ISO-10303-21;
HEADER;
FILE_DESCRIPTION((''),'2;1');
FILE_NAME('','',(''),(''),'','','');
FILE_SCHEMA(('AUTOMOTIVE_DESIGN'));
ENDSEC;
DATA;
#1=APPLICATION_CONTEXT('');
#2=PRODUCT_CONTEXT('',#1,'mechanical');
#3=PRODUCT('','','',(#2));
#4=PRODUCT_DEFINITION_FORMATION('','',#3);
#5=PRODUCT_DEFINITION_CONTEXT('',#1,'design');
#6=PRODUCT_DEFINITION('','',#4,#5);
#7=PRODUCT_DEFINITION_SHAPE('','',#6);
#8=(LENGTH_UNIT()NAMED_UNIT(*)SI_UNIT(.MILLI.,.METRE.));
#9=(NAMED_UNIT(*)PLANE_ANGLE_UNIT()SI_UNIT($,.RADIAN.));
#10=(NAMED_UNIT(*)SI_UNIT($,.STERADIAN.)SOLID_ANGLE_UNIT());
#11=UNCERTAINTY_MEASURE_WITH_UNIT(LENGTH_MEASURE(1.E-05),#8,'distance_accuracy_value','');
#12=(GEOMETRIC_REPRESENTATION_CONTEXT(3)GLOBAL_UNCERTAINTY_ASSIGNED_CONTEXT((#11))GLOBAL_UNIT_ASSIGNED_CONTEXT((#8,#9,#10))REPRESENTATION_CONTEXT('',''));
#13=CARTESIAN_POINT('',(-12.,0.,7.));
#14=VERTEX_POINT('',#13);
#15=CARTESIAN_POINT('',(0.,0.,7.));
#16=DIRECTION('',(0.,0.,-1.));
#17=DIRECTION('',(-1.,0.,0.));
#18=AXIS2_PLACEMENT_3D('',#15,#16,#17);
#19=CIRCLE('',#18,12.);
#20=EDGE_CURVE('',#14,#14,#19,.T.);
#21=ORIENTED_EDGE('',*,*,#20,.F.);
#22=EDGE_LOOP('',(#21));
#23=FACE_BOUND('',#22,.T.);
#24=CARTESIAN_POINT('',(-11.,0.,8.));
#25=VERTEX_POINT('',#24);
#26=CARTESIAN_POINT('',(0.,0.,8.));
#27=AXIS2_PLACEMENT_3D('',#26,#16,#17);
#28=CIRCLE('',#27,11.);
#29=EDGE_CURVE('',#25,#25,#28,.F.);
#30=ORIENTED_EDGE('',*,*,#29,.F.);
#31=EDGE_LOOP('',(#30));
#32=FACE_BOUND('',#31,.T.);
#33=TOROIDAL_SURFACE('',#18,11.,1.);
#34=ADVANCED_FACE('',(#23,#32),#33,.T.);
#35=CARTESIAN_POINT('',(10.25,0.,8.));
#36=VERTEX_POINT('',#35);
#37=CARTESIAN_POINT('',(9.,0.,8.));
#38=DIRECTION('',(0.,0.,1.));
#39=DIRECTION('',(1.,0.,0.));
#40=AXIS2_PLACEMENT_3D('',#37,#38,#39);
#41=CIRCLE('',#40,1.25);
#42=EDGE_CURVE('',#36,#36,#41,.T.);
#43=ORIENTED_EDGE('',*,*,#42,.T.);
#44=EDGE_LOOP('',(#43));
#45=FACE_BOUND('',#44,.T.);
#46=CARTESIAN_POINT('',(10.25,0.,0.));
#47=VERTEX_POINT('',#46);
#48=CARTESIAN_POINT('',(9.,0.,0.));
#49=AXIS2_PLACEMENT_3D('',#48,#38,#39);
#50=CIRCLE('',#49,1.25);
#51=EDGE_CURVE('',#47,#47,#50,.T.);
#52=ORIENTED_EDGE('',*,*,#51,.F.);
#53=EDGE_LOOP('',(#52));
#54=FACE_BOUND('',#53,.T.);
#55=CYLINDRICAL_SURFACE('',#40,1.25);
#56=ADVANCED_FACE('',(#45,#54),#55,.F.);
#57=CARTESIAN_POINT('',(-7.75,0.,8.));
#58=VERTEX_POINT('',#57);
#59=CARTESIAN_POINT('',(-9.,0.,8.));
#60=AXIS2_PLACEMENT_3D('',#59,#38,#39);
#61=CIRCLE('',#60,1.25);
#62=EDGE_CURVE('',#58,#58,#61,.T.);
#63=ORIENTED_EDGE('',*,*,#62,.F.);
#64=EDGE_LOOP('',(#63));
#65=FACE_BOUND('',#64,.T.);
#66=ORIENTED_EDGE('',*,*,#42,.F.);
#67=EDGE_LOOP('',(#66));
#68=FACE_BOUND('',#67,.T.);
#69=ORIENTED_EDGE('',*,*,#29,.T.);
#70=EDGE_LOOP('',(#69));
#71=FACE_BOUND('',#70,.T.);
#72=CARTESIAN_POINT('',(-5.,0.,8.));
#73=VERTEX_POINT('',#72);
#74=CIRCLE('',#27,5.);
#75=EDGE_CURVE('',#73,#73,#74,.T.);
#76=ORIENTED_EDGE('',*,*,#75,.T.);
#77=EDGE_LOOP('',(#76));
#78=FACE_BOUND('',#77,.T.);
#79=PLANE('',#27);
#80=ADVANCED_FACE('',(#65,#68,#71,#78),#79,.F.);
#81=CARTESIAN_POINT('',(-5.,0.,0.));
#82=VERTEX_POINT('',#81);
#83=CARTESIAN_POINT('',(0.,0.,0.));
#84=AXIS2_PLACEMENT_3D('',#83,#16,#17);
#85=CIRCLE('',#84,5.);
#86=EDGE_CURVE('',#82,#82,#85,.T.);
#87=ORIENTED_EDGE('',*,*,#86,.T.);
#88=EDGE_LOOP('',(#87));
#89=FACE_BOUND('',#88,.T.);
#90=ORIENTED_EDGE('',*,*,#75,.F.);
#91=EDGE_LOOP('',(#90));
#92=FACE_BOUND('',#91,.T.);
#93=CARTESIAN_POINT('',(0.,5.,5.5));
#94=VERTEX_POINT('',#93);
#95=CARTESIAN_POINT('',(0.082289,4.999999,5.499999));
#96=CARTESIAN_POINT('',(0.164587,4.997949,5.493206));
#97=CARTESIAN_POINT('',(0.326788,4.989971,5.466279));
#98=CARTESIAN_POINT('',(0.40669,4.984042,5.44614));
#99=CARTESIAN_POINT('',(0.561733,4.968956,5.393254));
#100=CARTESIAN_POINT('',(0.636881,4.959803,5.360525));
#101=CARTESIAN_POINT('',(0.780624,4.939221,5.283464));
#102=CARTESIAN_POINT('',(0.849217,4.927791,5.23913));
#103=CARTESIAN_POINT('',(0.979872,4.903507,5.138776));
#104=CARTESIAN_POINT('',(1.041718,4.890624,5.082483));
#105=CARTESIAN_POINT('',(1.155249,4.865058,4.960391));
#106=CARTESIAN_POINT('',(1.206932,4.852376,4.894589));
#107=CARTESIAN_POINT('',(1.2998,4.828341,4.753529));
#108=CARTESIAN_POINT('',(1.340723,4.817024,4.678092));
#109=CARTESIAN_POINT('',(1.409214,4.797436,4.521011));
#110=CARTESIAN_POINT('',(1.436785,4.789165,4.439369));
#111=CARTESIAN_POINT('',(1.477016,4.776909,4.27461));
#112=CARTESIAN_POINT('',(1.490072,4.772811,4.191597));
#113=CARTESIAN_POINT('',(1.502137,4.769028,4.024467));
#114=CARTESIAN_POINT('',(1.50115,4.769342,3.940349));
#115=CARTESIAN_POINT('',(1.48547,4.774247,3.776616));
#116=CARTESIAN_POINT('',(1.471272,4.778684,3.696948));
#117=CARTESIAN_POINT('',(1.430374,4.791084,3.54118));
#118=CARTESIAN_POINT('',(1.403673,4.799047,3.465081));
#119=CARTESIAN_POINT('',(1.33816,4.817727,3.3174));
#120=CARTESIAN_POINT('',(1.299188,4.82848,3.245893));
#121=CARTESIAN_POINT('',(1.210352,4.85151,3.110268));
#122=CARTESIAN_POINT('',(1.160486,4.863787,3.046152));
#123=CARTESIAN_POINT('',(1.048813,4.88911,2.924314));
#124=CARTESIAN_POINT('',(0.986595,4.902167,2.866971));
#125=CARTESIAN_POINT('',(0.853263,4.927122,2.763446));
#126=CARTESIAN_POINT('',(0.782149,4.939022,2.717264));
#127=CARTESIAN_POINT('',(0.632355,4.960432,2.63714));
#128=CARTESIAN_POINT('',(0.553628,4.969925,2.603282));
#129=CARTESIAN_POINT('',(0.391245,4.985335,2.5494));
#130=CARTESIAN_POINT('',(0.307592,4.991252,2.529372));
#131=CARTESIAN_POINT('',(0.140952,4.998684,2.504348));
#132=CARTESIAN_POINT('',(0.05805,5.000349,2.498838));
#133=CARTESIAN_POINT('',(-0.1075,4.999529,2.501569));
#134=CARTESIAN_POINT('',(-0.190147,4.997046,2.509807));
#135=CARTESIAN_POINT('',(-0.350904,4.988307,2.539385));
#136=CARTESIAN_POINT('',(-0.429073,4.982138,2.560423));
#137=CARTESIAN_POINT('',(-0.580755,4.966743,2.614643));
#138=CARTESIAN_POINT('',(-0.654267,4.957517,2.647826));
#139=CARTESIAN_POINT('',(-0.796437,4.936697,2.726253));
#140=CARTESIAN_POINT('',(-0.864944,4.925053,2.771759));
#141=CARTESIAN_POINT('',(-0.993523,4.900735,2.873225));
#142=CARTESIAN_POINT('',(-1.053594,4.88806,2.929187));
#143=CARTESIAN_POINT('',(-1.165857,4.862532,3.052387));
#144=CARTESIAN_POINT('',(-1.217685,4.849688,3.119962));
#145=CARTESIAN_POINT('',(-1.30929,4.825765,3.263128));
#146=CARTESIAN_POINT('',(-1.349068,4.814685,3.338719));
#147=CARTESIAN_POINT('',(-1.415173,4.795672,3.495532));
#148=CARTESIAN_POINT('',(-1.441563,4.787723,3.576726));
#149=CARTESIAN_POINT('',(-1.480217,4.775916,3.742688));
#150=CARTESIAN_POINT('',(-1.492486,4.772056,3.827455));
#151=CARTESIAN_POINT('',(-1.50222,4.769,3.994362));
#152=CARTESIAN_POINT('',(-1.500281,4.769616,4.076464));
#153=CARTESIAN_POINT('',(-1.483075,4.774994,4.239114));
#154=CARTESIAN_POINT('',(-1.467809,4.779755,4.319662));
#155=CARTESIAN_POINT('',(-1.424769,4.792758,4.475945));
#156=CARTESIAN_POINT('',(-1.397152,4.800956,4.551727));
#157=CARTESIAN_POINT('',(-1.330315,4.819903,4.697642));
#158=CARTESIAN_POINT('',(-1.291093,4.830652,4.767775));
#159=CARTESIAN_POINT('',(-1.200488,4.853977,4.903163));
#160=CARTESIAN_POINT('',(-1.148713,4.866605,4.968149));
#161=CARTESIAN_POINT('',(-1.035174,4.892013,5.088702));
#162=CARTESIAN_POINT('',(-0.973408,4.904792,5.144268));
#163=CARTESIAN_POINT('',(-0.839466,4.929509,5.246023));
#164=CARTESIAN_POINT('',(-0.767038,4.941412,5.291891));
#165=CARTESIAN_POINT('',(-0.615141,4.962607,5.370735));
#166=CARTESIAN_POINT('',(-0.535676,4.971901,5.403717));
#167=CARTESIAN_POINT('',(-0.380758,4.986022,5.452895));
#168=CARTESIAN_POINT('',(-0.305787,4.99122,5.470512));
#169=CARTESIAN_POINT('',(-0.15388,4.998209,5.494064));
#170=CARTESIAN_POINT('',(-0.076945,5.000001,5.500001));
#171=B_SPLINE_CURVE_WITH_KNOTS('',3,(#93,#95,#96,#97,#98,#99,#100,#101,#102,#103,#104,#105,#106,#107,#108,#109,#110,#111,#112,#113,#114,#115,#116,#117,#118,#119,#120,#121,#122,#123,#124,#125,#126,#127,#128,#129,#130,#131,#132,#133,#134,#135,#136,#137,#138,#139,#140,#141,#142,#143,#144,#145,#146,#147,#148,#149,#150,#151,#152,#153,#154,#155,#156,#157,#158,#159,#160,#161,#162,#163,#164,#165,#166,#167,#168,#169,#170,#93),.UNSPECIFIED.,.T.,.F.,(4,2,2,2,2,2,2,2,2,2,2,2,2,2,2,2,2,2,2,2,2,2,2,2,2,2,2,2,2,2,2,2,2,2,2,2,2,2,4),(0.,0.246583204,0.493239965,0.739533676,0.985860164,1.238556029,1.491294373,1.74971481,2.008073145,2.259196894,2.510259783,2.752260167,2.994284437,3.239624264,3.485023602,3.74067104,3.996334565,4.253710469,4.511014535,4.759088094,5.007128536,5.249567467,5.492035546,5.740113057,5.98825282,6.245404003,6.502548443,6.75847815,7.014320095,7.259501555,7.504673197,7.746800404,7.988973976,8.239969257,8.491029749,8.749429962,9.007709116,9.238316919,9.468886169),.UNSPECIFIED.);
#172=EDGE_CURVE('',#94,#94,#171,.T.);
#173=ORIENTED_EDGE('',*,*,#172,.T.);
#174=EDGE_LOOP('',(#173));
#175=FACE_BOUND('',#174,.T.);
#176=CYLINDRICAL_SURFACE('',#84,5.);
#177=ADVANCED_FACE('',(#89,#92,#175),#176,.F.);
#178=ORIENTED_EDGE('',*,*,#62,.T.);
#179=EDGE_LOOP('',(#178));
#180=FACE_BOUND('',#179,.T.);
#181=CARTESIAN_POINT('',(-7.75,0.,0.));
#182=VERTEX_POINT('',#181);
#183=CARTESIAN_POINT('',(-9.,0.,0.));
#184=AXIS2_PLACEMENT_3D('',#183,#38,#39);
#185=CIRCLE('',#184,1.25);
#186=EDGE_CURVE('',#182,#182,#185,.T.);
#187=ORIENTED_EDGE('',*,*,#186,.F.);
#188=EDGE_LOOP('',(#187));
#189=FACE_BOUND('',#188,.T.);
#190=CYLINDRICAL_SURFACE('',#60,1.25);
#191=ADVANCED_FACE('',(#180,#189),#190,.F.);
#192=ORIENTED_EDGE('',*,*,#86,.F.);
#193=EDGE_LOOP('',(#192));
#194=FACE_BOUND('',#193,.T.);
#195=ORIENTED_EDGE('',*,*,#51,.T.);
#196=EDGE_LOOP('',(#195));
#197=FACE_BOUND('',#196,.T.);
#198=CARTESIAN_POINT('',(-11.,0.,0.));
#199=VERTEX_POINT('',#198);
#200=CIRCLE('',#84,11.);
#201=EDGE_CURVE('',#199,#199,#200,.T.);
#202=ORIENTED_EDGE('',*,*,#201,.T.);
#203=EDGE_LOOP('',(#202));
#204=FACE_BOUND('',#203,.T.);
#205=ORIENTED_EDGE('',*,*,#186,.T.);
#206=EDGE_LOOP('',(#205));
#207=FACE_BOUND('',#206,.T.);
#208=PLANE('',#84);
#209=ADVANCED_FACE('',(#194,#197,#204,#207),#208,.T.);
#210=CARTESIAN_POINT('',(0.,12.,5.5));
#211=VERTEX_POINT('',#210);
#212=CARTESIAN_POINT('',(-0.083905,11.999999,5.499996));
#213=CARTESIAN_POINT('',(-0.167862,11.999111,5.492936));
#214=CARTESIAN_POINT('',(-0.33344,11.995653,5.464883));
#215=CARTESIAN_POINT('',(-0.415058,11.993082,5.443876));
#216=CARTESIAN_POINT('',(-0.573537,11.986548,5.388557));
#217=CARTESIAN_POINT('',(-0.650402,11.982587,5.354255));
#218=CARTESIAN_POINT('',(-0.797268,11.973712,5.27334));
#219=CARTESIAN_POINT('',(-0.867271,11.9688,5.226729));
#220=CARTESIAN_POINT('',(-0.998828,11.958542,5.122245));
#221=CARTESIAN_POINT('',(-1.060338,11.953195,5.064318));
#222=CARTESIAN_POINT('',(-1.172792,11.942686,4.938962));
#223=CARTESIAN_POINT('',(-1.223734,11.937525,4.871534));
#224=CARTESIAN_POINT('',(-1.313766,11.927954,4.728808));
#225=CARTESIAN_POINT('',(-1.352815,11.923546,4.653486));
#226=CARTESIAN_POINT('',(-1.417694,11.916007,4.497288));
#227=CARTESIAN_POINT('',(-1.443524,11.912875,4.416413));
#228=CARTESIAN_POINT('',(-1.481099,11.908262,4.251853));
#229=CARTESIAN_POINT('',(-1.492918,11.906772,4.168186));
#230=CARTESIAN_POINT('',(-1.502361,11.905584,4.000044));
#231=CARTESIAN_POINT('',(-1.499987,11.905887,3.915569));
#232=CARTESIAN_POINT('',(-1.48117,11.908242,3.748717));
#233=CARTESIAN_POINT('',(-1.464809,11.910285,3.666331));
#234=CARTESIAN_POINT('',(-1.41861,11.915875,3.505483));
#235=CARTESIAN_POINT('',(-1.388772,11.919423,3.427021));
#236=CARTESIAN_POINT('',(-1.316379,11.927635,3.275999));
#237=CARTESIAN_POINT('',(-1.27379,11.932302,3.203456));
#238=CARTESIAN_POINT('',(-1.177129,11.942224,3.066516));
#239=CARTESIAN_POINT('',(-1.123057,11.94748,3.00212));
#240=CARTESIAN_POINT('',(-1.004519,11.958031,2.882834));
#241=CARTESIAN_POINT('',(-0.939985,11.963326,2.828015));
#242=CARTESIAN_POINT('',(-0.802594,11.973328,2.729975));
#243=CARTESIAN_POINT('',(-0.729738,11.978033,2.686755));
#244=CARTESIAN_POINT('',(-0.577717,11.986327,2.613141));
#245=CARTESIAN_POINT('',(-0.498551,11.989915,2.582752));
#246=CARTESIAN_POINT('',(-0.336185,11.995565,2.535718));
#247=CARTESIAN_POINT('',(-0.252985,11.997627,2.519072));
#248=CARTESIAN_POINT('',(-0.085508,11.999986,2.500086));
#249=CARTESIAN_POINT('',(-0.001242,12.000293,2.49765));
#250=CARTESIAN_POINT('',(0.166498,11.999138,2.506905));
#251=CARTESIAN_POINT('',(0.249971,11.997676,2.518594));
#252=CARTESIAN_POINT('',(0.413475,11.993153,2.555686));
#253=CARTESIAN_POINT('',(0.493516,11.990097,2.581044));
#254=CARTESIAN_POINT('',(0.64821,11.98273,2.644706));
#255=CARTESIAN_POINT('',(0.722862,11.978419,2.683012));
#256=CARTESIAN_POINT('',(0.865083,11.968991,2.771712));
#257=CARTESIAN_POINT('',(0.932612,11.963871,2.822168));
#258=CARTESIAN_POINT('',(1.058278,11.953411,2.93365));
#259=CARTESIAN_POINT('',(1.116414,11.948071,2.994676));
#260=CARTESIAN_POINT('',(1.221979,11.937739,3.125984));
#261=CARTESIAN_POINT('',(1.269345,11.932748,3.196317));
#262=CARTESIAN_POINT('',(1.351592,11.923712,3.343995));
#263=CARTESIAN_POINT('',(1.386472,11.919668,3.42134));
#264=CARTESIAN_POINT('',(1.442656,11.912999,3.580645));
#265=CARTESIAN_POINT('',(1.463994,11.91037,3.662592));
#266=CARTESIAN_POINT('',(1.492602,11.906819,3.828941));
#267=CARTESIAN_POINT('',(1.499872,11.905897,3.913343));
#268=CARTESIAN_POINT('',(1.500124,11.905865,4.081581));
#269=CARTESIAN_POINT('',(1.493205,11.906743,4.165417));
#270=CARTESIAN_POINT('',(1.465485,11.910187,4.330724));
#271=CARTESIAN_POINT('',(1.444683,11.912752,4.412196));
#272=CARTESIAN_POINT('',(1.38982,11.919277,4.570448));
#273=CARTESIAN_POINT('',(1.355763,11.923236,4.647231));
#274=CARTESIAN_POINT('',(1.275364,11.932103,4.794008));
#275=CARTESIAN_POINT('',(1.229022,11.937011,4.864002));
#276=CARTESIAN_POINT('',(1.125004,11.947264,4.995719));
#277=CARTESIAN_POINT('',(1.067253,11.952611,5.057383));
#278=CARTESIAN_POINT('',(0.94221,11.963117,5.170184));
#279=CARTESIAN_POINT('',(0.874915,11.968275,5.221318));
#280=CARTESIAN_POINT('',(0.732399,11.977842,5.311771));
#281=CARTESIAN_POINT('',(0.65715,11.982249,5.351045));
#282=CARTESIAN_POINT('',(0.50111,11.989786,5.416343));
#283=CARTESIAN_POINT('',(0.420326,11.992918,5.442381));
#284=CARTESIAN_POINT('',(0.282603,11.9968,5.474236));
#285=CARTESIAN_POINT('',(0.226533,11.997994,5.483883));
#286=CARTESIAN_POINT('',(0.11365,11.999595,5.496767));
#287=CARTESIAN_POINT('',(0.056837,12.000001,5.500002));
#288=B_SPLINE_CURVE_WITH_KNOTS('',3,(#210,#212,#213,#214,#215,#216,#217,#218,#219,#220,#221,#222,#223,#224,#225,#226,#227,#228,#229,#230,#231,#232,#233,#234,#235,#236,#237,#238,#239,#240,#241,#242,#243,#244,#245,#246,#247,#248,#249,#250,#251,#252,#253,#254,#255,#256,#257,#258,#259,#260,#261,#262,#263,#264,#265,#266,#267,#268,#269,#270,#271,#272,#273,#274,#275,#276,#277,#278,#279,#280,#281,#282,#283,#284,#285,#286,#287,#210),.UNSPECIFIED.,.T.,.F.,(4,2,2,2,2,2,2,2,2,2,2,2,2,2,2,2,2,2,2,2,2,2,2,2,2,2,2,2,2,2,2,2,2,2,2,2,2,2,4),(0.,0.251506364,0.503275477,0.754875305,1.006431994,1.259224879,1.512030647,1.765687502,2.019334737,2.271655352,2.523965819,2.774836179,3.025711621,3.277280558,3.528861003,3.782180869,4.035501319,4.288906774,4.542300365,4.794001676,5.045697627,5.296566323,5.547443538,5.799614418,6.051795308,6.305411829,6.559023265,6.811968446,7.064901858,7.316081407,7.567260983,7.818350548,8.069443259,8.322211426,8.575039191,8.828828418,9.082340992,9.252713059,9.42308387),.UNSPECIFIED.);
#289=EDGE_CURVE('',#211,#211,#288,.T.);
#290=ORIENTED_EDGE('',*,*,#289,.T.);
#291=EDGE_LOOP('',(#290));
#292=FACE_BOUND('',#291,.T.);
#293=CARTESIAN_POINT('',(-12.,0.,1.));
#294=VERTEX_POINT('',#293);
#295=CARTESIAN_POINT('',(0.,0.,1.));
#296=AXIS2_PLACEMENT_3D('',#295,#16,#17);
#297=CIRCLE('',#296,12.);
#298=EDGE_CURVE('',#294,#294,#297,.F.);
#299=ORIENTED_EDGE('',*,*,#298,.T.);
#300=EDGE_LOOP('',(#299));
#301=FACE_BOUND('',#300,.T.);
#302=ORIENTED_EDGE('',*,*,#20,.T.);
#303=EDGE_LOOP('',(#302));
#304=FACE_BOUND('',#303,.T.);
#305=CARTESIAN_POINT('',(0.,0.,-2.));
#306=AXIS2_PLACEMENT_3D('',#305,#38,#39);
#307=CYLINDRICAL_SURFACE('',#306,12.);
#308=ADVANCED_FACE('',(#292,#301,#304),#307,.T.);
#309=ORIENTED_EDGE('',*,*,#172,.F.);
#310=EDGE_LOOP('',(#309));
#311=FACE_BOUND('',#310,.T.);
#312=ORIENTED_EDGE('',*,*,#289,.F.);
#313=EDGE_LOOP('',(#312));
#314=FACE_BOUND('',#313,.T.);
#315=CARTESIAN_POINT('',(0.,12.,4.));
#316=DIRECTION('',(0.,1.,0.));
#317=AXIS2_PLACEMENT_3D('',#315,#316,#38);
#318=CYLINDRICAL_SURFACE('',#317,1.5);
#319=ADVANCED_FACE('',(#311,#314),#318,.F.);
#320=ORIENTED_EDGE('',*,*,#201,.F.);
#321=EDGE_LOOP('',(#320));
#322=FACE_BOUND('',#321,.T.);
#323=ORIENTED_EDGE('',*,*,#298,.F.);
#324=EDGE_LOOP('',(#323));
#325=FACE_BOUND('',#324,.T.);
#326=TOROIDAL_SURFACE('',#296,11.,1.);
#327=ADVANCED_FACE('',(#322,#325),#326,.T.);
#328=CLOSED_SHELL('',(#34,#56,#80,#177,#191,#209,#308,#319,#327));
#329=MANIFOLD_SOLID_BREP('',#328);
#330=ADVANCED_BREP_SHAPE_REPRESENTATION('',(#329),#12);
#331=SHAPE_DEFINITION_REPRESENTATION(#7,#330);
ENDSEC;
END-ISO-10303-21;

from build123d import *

# Parameters (mm, degrees)
SKETCH1_W                  = 24
SKETCH1_H                  = 24
BOSS_EXTRUDE1_DEPTH        = 8
M3_TAPPED_HOLE1_D          = 2.5
F_10_0_10_DIAMETER_HOLE1_D = 10
F_3_0MM_DOWEL_HOLE1_REACH  = 30
F_3_0MM_DOWEL_HOLE1_BORE_R = 1.5
SKETCH15_R                 = 16.970562748
SKETCH15_R_2               = 12
CUT_EXTRUDE1_DEPTH         = 10
FILLET1_R                  = 1


with BuildPart() as part:
    # Sketch1 → Boss-Extrude1 (new body)
    with BuildSketch(Plane.XY):
        Rectangle(SKETCH1_W, SKETCH1_H)
    extrude(amount=BOSS_EXTRUDE1_DEPTH)

    # M3 Tapped Hole1 (through all)
    with Locations(Plane.XY.offset(8)):
        with Locations((9, 0), (-9, 0)):
            Hole(M3_TAPPED_HOLE1_D / 2)

    # Ø10.0 (10) Diameter Hole1 (through all)
    with Locations(Plane(origin=(0, 0, 0), x_dir=(-1, 0, 0), z_dir=(0, 0, -1))):
        with Locations((0, 0)):
            Hole(F_10_0_10_DIAMETER_HOLE1_D / 2)

    # Ø3.0mm Dowel Hole1 bore → Ø3.0mm Dowel Hole1 (cut, up to next)
    with BuildSketch(Plane(origin=(0, 12, 0), x_dir=(1, 0, 0), z_dir=(0, 1, 0)), mode=Mode.PRIVATE) as f_3_0mm_dowel_hole1_sk1:
        with Locations((0, -4)):
            Circle(F_3_0MM_DOWEL_HOLE1_BORE_R)
    f_3_0mm_dowel_hole1_tool1 = extrude(f_3_0mm_dowel_hole1_sk1.sketch, amount=-F_3_0MM_DOWEL_HOLE1_REACH, mode=Mode.PRIVATE) & part.part
    add(f_3_0mm_dowel_hole1_tool1.solids().sort_by_distance((0, 12, 4))[0], mode=Mode.SUBTRACT)

    # Sketch15 → Cut-Extrude1 (cut)
    with BuildSketch(Plane.XY.offset(8)):
        Circle(SKETCH15_R)
        Circle(SKETCH15_R_2, mode=Mode.SUBTRACT)
    extrude(amount=-CUT_EXTRUDE1_DEPTH, mode=Mode.SUBTRACT)

    # Fillet1
    fillet1_edges = [part.edges().sort_by_distance(p)[0] for p in [
        (-12, 0, 0),
        (-12, 0, 8),
    ]]
    fillet(fillet1_edges, radius=FILLET1_R)


solid = part.part
